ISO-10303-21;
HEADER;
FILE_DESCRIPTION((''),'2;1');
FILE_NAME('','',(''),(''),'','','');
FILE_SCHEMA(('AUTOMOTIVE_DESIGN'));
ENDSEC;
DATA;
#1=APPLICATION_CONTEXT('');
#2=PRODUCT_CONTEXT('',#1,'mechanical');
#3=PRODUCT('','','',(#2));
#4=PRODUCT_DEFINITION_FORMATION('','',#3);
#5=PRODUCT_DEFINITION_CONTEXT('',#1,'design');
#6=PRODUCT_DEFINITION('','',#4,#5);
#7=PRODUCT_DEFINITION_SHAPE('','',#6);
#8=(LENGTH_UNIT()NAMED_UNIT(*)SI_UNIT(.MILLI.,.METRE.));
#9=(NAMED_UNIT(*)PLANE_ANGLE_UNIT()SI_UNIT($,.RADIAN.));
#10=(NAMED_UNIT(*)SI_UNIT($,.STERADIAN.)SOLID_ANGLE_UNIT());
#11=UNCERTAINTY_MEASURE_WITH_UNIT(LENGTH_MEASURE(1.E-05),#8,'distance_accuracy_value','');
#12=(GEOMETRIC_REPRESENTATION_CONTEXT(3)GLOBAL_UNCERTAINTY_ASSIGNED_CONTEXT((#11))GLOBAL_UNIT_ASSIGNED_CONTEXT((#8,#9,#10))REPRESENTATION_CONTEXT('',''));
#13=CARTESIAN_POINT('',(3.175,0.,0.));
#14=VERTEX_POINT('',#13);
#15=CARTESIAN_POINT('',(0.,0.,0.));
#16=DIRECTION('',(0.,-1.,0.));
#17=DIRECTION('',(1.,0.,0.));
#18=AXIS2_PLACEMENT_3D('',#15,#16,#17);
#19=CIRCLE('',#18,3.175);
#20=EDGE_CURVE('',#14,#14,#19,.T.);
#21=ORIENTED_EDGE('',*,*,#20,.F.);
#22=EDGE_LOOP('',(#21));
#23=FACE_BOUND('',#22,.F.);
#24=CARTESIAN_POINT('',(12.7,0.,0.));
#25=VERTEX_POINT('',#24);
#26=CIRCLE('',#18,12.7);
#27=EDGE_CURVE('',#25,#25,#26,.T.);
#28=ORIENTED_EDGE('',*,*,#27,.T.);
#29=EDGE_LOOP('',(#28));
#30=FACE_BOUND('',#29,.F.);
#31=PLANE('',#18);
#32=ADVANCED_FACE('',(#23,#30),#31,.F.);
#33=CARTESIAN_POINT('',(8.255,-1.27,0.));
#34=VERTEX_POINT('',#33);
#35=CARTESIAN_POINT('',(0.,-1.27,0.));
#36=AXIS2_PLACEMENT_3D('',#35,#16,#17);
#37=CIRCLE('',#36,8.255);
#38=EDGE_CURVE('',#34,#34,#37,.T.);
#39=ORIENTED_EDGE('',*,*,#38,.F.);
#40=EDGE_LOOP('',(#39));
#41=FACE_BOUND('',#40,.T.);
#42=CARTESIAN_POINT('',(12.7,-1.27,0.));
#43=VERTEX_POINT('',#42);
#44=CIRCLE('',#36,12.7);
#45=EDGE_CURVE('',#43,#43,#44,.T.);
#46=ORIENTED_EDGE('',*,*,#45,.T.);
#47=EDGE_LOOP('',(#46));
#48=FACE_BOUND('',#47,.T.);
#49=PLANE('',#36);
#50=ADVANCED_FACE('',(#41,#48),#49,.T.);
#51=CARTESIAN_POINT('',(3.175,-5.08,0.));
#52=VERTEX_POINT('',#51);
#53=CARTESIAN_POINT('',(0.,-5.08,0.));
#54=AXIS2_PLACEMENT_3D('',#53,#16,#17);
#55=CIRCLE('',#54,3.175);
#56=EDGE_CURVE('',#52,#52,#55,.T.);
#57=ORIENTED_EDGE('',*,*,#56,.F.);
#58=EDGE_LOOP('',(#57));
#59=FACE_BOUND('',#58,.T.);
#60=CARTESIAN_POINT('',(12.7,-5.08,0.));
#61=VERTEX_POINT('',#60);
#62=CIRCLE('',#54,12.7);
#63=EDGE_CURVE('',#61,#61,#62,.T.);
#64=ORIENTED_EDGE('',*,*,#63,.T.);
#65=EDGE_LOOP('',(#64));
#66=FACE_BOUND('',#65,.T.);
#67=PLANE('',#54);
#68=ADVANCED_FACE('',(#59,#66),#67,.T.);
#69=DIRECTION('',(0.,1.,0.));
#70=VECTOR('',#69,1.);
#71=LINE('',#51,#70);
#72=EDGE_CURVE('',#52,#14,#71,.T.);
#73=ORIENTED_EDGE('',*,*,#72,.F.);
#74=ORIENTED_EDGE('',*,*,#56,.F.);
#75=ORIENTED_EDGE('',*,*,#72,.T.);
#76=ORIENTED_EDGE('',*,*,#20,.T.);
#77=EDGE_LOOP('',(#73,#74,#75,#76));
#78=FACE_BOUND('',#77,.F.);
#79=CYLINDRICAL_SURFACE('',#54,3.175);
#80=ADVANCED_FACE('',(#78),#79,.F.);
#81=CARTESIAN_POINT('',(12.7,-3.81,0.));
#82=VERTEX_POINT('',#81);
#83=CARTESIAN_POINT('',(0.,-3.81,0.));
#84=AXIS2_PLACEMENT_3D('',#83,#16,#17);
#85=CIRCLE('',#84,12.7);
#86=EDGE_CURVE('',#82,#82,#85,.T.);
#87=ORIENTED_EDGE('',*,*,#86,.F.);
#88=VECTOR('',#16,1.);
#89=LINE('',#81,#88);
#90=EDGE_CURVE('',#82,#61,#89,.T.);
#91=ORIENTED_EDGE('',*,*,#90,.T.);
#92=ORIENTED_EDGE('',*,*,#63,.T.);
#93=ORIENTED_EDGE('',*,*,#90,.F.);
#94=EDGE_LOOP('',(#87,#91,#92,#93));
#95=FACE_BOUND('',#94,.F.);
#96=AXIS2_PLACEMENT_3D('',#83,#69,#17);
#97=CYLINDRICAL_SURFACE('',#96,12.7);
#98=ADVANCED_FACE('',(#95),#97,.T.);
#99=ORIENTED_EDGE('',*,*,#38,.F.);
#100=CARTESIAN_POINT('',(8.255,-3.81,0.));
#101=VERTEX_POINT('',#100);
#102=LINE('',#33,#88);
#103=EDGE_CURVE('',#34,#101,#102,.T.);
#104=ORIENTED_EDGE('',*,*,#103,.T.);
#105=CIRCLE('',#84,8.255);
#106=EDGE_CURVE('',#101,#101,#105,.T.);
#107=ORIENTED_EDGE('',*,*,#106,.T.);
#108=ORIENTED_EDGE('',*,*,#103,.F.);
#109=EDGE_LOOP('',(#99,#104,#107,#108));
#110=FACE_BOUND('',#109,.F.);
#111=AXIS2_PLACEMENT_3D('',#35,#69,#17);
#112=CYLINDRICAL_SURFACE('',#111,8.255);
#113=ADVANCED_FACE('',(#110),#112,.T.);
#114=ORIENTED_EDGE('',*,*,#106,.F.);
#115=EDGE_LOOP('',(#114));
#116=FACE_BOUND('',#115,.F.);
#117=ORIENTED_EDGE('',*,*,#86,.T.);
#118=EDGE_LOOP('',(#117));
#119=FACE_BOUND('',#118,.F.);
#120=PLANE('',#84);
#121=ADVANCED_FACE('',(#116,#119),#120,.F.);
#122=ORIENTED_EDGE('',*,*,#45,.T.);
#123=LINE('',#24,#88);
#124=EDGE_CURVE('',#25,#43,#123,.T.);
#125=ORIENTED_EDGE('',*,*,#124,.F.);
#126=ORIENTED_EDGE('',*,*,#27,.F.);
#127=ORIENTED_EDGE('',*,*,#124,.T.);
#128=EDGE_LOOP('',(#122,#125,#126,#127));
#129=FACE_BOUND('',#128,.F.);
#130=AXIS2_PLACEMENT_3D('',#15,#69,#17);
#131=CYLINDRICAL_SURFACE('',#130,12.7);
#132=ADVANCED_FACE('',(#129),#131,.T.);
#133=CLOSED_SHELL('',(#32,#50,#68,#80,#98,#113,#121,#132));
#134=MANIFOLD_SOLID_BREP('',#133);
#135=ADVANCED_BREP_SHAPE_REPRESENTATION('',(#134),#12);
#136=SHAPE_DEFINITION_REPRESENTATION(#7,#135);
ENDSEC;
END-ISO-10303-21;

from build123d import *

# Parameters (mm, degrees)
F0_R     = 12.7
F1_DEPTH = 1.27
F2_R     = 8.255
F3_DEPTH = 2.54
F4_R     = 12.7
F5_DEPTH = 1.27
F6_R     = 3.175
F7_DEPTH = 25.4


with BuildPart() as f1:
    # F0 (on Front) → F1 (new body)
    with BuildSketch(Plane.XZ):
        Circle(F0_R)
    extrude(amount=F1_DEPTH)

    # F2 (on face) → F3 (join)
    with BuildSketch(Plane.XZ.offset(1.27)):
        Circle(F2_R)
    extrude(amount=F3_DEPTH)

    # F4 (on face) → F5 (join)
    with BuildSketch(Plane.XZ.offset(3.81)):
        Circle(F4_R)
    extrude(amount=F5_DEPTH)

    # F6 (on face) → F7 (cut)
    with BuildSketch(Plane.XZ.offset(5.08)):
        Circle(F6_R)
    extrude(amount=-F7_DEPTH, mode=Mode.SUBTRACT)


solid = f1.part
